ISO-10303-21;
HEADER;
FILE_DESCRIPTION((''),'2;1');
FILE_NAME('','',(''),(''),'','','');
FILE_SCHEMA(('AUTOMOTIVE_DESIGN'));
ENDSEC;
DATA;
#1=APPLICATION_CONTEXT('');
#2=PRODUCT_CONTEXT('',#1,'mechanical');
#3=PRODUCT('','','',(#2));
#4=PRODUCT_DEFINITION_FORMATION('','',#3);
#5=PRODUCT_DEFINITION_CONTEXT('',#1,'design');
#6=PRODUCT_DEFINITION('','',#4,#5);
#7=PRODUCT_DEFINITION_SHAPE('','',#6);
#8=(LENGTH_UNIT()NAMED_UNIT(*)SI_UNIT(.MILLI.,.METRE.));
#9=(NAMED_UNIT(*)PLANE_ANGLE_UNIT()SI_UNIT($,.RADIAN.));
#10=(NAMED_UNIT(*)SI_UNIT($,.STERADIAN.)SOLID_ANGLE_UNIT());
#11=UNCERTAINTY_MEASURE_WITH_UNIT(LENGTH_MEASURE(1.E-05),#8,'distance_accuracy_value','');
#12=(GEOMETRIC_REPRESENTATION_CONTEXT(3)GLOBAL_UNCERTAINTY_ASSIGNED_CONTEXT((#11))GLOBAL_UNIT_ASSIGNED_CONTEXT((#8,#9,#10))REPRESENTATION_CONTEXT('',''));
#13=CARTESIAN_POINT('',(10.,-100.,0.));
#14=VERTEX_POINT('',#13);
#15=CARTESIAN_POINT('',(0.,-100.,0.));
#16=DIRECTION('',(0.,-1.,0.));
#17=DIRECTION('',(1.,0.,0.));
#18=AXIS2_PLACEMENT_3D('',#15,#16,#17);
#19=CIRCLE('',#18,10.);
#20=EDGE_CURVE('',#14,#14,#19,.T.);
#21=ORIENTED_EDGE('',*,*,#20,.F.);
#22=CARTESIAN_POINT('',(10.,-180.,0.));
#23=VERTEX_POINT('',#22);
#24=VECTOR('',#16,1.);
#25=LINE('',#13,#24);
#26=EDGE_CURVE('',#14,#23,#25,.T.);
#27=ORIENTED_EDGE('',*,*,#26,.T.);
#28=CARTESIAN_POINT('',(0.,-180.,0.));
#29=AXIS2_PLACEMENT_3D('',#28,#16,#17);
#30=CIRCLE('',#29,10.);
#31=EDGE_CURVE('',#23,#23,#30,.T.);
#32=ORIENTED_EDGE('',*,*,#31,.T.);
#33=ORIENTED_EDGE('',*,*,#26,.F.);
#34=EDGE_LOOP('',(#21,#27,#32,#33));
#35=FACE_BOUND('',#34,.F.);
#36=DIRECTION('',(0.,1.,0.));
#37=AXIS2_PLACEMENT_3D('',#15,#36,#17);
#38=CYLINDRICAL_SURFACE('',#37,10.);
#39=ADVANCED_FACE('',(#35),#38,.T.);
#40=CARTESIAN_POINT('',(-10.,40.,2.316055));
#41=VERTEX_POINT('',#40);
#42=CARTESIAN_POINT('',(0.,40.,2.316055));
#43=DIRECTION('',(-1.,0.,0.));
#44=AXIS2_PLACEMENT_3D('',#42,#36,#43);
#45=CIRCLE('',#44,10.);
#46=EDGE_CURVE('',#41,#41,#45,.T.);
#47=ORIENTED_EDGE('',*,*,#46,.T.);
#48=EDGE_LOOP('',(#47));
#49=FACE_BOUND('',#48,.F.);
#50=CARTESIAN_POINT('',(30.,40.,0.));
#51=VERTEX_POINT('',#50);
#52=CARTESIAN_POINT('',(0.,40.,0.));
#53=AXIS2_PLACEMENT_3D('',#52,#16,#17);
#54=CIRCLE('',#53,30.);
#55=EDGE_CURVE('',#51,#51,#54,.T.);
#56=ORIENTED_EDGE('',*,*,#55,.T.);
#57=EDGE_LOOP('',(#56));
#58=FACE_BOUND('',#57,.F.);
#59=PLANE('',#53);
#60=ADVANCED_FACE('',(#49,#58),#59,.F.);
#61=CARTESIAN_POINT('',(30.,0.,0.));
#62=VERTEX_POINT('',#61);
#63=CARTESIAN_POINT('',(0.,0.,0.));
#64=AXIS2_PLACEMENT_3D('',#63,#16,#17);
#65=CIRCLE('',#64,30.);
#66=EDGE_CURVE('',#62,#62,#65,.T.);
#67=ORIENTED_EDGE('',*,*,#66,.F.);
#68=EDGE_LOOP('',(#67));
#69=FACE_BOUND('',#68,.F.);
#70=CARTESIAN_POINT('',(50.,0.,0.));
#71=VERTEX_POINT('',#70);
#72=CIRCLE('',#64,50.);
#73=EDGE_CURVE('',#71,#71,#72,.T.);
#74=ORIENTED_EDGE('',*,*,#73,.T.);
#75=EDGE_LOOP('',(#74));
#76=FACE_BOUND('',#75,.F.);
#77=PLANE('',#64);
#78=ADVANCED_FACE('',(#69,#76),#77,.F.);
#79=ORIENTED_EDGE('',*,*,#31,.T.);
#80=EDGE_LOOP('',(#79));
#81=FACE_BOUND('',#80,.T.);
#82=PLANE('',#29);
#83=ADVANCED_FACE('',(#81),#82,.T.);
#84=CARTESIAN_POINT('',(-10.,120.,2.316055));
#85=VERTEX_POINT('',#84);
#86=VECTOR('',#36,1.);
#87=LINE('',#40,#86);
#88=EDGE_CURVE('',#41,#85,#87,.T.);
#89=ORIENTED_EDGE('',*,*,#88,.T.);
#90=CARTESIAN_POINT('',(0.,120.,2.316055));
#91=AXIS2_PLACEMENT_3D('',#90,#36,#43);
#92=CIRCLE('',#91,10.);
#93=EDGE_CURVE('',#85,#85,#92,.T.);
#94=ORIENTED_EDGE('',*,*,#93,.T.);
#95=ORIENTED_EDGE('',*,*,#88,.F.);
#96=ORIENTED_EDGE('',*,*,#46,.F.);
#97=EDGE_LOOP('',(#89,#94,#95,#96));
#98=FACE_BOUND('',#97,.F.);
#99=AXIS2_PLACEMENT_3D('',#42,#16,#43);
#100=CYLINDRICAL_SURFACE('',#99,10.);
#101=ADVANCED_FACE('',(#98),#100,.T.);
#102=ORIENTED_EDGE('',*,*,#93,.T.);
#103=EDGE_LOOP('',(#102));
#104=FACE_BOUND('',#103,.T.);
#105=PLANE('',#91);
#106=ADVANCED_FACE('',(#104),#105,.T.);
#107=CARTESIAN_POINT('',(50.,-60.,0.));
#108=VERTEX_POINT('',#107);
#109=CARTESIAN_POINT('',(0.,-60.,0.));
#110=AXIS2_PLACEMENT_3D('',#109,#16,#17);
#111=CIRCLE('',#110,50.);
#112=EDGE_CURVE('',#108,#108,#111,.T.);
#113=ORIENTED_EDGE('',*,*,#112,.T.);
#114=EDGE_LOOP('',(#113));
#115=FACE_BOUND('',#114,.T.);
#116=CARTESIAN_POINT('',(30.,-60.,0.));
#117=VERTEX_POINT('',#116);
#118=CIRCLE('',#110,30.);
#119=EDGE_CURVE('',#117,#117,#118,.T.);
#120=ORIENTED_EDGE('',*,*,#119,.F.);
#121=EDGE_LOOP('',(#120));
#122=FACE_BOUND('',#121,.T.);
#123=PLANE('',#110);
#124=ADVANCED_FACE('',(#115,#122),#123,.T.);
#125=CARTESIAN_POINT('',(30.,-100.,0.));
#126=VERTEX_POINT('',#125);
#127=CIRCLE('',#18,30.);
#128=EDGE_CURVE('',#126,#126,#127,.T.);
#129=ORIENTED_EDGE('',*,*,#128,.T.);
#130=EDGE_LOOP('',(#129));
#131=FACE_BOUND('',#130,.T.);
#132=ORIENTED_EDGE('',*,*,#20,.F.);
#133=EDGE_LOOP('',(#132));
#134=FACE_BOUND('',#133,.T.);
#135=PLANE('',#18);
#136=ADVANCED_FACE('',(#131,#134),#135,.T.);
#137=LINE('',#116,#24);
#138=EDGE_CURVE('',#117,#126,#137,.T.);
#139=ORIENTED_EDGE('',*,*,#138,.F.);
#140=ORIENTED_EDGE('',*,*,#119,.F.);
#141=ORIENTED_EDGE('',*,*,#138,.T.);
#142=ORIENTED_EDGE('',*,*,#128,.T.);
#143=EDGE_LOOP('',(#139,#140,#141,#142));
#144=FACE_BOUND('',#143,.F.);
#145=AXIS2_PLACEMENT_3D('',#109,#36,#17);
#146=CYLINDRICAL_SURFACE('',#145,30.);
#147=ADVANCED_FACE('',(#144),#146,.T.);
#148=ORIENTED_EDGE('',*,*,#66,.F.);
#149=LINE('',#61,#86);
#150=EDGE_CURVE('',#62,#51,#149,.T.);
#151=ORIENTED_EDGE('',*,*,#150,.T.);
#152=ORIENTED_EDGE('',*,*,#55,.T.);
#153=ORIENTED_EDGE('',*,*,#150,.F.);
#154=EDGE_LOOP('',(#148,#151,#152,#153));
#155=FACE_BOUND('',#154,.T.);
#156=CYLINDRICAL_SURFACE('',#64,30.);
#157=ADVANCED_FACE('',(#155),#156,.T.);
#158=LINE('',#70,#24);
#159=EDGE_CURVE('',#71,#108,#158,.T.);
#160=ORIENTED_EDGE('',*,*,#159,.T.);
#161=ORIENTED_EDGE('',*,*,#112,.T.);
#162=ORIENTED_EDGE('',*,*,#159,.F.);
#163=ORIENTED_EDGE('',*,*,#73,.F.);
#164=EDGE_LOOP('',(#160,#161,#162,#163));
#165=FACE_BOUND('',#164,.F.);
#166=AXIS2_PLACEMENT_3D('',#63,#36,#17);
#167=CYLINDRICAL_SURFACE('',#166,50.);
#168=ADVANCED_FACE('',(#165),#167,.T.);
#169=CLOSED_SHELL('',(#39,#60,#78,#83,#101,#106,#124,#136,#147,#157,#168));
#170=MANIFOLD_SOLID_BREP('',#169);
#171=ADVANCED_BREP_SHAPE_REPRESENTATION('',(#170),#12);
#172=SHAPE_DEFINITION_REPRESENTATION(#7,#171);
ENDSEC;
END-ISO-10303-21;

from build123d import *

# Parameters (mm, degrees)
F0_R     = 50
F1_DEPTH = 60
F2_R     = 30
F3_DEPTH = 40
F4_R     = 10
F5_DEPTH = 80
F6_R     = 30
F7_DEPTH = 40
F8_R     = 10
F9_DEPTH = 80


with BuildPart() as f1:
    # F0 (on Front) → F1 (new body)
    with BuildSketch(Plane.XZ):
        Circle(F0_R)
    extrude(amount=F1_DEPTH)

    # F2 (on face) → F3 (join)
    with BuildSketch(Plane.XZ):
        Circle(F2_R)
    extrude(amount=-F3_DEPTH)

    # F4 (on face) → F5 (join)
    with BuildSketch(Plane(origin=(0, 40, 0), x_dir=(-1, 0, 0), z_dir=(0, 1, 0))):
        with Locations((0, 2.316055)):
            Circle(F4_R)
    extrude(amount=F5_DEPTH)

    # F6 (on face) → F7 (join)
    with BuildSketch(Plane.XZ.offset(60)):
        Circle(F6_R)
    extrude(amount=F7_DEPTH)

    # F8 (on face) → F9 (join)
    with BuildSketch(Plane.XZ.offset(100)):
        Circle(F8_R)
    extrude(amount=F9_DEPTH)


solid = f1.part
